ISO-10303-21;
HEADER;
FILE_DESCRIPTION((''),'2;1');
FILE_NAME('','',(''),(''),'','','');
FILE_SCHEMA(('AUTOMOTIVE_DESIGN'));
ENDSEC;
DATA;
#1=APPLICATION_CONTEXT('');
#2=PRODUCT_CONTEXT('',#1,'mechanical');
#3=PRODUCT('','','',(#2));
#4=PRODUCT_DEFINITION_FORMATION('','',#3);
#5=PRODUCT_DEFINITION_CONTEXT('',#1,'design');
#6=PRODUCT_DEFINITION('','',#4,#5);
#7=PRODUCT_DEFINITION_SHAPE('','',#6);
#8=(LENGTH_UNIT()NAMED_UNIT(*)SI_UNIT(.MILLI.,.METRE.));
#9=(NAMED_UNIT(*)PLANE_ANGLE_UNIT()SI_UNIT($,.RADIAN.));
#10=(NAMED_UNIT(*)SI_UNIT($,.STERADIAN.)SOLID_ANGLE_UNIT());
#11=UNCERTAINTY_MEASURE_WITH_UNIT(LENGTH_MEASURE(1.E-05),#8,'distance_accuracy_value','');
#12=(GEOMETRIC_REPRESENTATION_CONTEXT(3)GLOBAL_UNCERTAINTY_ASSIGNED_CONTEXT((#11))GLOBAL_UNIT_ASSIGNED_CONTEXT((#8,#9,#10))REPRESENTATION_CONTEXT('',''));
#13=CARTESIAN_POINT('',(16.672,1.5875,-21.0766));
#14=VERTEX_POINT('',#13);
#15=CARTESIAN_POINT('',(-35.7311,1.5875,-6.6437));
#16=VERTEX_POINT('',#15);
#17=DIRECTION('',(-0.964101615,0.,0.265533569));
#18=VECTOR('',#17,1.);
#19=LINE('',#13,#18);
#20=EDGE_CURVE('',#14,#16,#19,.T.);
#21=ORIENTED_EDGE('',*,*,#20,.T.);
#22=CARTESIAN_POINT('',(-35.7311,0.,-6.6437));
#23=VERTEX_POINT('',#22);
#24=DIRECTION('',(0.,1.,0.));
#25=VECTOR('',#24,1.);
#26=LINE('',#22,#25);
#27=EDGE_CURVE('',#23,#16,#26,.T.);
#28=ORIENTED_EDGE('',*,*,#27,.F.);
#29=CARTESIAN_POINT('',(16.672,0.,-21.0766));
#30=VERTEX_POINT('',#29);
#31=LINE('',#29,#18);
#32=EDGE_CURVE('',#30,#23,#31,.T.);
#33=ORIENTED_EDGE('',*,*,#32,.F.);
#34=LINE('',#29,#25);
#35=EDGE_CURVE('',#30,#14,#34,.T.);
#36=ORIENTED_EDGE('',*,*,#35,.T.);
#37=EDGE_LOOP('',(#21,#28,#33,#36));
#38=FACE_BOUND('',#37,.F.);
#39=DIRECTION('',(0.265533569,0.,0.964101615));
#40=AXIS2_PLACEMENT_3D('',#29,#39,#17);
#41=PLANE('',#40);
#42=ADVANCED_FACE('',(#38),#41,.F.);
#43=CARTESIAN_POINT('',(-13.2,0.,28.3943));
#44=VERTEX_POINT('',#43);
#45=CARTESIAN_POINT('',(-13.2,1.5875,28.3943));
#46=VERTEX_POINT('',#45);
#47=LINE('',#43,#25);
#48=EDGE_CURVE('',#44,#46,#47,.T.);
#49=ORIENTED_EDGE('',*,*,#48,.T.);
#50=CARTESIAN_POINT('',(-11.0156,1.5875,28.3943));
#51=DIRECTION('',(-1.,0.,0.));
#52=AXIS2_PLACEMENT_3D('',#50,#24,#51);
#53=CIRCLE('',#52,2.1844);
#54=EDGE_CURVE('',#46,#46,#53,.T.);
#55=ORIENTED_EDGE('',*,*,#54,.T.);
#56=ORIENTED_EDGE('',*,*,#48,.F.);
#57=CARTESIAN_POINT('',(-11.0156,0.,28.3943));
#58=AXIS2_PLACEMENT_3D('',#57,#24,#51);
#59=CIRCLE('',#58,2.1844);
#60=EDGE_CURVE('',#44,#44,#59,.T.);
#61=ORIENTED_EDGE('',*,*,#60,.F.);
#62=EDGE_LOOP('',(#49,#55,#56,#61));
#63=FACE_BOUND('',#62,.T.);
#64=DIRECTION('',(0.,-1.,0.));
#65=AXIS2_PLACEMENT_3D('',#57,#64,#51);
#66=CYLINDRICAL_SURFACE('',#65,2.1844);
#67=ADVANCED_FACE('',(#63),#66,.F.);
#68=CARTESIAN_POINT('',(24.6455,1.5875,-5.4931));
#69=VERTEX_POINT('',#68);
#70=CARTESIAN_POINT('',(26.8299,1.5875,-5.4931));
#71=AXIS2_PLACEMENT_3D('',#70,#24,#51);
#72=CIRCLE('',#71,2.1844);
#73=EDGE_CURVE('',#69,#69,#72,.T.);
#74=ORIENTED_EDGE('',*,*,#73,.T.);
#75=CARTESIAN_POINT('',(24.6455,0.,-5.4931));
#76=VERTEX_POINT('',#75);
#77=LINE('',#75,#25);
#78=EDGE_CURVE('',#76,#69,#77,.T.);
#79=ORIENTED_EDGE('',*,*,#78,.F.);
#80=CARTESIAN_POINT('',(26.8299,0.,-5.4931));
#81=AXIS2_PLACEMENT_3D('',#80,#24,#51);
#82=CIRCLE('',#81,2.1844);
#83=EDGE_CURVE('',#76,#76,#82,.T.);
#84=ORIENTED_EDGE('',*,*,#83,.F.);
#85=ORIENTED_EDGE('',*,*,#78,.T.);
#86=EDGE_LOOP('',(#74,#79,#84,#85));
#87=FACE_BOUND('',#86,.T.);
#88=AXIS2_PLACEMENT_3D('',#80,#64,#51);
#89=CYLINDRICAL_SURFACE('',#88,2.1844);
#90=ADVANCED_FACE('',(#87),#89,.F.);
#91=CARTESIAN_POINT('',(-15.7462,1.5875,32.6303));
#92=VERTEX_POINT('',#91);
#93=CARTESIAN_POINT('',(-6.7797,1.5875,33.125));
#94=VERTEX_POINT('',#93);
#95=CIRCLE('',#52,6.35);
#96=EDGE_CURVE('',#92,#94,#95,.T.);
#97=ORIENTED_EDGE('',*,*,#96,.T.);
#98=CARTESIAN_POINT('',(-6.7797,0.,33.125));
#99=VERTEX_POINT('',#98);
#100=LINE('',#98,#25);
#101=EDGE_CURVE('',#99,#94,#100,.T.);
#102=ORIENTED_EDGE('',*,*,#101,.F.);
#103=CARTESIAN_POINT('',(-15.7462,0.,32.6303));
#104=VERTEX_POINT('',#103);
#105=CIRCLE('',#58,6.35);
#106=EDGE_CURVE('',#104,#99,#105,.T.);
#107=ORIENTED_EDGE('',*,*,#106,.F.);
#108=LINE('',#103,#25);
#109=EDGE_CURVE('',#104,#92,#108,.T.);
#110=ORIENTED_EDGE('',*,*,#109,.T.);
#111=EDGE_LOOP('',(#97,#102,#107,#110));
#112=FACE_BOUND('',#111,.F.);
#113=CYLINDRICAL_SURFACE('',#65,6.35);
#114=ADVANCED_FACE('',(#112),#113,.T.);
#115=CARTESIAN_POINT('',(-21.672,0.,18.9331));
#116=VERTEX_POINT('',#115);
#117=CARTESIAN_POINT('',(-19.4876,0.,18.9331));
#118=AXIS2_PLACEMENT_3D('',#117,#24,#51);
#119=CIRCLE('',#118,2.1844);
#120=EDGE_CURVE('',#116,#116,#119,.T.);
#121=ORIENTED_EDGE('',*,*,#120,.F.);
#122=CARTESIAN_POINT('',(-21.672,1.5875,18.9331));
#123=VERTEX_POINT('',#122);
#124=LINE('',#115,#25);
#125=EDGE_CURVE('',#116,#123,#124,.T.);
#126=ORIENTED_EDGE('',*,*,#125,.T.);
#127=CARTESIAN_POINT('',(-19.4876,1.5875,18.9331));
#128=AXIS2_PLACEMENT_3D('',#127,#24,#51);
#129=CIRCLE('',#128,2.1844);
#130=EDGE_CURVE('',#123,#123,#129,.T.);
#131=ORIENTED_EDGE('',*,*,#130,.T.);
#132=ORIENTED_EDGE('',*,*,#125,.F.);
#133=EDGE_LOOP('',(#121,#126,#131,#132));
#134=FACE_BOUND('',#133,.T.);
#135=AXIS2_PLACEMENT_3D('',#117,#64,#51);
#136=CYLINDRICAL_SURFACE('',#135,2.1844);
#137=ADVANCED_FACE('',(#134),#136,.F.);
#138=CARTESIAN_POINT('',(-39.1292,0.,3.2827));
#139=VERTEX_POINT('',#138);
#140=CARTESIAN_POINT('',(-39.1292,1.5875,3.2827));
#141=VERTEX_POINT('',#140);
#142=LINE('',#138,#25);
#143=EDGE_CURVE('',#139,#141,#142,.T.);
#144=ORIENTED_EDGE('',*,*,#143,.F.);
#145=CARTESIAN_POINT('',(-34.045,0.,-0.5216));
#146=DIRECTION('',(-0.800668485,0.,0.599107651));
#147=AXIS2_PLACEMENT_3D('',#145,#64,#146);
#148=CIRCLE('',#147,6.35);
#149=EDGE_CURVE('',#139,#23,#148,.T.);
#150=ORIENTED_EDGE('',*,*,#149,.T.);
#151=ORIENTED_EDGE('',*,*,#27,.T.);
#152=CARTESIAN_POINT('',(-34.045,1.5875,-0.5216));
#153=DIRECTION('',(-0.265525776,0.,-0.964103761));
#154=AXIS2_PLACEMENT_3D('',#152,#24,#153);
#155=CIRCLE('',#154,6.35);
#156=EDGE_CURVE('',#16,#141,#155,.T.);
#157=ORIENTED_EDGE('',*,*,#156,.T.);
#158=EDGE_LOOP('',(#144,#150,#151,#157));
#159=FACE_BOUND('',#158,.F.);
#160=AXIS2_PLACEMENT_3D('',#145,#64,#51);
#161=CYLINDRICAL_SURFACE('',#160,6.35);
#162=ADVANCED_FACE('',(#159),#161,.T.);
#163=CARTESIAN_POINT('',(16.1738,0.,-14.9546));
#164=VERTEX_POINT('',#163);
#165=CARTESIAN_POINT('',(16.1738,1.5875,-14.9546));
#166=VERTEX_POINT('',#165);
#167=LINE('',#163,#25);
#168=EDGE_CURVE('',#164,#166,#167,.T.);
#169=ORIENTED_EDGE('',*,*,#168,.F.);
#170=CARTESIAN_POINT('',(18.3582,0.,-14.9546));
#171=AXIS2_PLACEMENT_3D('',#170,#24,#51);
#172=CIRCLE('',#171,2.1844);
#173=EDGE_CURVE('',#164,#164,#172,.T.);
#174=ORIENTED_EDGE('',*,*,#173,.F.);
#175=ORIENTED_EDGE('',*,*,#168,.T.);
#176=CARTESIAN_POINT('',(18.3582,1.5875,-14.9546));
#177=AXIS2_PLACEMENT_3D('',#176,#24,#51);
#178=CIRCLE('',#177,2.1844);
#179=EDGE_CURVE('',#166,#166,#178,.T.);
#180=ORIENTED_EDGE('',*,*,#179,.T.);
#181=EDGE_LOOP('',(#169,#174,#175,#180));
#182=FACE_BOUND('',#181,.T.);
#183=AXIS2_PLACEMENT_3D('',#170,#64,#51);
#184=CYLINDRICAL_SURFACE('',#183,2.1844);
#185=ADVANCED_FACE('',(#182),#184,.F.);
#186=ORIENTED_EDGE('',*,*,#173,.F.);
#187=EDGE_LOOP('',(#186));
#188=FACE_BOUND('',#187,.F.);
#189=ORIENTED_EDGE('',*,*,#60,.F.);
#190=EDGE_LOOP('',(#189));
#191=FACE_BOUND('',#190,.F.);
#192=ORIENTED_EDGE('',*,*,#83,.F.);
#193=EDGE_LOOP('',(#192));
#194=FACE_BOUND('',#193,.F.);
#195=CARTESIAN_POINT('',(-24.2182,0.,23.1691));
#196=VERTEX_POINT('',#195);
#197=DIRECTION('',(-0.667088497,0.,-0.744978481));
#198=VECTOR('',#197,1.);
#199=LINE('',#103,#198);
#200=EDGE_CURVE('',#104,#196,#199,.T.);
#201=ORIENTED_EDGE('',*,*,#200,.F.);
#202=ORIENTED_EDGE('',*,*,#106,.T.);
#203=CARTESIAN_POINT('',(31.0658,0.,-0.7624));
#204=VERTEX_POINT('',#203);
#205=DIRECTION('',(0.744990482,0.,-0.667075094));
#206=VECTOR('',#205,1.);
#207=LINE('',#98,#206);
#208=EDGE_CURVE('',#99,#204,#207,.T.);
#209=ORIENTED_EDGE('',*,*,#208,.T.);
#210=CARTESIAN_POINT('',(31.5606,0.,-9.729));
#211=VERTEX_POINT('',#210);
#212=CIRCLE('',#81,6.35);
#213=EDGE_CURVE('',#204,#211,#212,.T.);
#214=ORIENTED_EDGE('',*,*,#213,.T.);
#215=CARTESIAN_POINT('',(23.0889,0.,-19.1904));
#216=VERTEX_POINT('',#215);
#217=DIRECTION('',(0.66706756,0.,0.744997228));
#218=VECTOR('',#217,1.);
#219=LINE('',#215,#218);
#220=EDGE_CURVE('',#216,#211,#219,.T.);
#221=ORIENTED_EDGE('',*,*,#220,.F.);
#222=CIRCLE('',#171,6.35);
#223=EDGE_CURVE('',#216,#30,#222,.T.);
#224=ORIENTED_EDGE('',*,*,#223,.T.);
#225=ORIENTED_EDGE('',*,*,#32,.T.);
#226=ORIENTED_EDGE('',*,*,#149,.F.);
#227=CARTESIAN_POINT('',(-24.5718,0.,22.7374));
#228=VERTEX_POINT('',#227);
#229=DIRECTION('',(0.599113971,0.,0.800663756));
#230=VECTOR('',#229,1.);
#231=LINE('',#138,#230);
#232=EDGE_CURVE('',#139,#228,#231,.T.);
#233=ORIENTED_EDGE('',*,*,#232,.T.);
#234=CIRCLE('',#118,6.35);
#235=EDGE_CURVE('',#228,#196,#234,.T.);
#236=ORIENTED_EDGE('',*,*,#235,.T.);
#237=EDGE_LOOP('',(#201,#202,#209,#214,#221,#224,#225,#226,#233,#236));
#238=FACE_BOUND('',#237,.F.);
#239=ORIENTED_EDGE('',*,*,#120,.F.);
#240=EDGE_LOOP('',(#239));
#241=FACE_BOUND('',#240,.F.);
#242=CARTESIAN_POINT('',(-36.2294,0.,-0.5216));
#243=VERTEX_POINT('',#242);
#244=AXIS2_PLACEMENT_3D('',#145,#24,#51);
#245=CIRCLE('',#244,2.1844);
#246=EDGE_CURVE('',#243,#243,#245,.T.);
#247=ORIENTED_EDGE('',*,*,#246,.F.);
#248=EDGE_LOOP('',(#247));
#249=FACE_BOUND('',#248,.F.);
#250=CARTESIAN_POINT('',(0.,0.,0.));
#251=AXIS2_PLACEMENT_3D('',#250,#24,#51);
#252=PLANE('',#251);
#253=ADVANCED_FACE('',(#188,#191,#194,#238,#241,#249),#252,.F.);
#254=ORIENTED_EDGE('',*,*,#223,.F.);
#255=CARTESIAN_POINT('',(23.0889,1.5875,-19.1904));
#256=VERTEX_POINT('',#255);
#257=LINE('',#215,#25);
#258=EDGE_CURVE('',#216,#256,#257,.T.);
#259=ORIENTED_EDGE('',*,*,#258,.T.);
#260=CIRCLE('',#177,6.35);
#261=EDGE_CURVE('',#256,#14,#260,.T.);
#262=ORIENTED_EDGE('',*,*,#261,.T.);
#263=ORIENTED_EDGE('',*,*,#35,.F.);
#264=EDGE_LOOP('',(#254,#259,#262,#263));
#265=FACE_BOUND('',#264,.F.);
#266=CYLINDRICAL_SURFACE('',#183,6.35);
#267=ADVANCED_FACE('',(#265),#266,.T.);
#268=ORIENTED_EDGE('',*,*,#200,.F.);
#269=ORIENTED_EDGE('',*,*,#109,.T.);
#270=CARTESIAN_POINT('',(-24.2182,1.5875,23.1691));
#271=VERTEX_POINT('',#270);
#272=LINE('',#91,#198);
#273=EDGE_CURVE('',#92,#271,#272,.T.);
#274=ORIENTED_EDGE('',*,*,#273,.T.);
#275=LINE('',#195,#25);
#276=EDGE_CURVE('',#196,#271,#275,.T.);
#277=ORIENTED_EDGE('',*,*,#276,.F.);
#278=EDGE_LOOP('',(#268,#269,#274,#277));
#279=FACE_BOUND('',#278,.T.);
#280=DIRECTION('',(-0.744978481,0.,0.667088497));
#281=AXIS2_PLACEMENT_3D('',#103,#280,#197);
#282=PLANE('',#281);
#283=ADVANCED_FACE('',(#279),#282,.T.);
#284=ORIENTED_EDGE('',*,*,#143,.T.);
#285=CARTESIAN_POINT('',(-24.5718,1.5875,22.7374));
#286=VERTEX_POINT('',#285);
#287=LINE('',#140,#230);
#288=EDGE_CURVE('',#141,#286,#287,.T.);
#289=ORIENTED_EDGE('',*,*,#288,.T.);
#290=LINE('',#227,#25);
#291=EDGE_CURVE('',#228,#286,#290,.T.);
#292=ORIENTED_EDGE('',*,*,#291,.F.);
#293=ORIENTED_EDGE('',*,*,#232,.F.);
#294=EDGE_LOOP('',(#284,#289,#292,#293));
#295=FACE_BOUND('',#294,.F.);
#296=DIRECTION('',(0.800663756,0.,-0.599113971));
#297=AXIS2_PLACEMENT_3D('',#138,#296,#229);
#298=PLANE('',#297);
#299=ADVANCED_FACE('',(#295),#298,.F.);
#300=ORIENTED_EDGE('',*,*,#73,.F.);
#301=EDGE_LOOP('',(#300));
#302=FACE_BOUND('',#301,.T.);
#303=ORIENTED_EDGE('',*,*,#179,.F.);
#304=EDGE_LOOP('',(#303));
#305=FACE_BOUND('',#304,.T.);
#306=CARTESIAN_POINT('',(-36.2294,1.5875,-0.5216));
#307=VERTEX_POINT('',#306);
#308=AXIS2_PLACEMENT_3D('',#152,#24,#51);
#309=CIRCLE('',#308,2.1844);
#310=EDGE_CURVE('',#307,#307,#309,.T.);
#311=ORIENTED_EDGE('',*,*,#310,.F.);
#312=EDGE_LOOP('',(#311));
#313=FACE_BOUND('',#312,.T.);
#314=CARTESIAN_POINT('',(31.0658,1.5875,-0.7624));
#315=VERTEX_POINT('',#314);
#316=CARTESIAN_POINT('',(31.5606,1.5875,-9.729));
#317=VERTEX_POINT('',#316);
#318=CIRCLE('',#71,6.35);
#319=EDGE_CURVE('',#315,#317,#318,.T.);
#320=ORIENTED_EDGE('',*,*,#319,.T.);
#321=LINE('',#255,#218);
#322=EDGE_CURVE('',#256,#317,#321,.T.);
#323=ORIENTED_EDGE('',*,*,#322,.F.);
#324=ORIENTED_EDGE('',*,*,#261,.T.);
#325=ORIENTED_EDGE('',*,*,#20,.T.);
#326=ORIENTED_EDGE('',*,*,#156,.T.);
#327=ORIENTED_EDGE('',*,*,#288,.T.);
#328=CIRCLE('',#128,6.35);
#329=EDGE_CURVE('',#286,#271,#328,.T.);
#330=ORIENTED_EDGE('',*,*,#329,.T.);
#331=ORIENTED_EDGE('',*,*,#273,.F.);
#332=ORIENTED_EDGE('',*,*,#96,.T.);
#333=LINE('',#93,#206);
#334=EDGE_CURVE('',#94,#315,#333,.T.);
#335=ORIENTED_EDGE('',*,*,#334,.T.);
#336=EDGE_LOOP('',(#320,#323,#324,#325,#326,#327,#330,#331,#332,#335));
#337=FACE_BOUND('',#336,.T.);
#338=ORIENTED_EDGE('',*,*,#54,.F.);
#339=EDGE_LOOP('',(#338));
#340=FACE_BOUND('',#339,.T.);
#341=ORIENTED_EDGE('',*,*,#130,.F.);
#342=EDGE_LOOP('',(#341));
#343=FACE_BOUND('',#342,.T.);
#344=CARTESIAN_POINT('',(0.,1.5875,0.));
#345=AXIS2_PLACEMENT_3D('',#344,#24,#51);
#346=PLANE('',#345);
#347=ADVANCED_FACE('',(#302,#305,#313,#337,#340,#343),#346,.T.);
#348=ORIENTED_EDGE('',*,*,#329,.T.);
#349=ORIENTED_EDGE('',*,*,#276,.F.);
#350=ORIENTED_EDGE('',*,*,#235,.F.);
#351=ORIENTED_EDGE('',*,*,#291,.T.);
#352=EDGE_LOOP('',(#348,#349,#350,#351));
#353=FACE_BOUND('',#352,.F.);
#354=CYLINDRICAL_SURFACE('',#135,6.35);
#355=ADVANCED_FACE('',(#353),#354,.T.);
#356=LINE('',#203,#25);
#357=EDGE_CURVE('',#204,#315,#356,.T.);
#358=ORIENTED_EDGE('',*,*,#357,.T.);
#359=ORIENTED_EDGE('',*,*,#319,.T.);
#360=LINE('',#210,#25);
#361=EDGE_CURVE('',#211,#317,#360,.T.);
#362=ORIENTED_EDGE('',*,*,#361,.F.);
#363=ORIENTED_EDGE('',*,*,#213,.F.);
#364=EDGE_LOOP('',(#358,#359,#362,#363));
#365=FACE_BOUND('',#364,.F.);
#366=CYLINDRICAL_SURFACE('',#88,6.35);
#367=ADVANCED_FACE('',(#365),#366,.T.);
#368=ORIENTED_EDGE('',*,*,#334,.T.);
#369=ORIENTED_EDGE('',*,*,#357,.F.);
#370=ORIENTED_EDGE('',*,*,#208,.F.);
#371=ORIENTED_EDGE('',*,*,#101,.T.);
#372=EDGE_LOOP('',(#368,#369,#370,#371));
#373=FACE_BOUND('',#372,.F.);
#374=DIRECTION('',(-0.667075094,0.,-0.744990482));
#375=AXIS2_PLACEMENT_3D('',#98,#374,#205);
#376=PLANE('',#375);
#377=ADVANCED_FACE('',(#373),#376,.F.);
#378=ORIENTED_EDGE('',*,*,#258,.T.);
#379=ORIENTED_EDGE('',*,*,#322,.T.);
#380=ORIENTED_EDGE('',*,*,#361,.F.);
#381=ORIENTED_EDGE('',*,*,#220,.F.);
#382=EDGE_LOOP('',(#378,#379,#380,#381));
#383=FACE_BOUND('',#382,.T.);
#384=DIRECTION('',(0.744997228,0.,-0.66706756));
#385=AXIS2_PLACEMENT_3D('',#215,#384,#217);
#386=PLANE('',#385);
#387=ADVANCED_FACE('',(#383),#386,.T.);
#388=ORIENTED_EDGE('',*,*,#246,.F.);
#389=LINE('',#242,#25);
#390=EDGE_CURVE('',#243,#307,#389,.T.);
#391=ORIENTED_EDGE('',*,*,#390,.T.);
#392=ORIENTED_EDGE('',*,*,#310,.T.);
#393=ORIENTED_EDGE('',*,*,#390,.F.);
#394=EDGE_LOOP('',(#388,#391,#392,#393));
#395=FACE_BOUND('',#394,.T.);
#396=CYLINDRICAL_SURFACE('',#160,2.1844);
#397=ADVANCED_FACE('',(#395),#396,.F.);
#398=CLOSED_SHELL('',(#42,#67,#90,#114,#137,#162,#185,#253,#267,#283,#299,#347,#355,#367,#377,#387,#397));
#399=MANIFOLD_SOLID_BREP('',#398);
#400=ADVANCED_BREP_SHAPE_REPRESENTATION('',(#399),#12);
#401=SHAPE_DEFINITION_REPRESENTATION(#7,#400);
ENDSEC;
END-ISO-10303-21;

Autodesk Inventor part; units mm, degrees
ref_plane "YZ Plane" through (0, 0, 0) normal (1, 0, 0) x (0, 1, 0)
ref_plane "XZ Plane" through (0, 0, 0) normal (0, 1, 0) x (-1, 0, 0)
ref_plane "XY Plane" through (0, 0, 0) normal (0, 0, 1) x (1, 0, 0)
sketch "Sketch1" plane through (0, 0, 0) normal (0, 1, 0) x (-1, 0, 0)
  circle A0 centre (-18.3582, -14.9546) radius 2.1844
  circle A1 centre (-26.8299, -5.4931) radius 2.1844
  circle A2 centre (34.045, -0.5216) radius 2.1844
  circle A3 centre (19.4876, 18.9331) radius 2.1844
  circle A4 centre (11.0156, 28.3943) radius 2.1844
  circle A5 centre (-18.3582, -14.9546) radius 6.35
  circle A6 centre (19.4876, 18.9331) radius 6.35
  circle A7 centre (34.045, -0.5216) radius 6.35
  circle A8 centre (11.0156, 28.3943) radius 6.35
  circle A9 centre (-26.8299, -5.4931) radius 6.35
  line L0 (6.7797, 33.125) -> (-31.0658, -0.7624)
  line L1 (15.7462, 32.6303) -> (24.2182, 23.1691)
  line L2 (-23.0889, -19.1904) -> (-31.5606, -9.729)
  line L3 (-16.672, -21.0766) -> (35.7311, -6.6437)
  line L4 (39.1292, 3.2827) -> (24.5718, 22.7374)
  point P0 (0, 0)
  dimension "d0" = 4.3688
  dimension "d1" = 4.3688
  dimension "d2" = 4.3688
  dimension "d3" = 12.7
  dimension "d4" = 12.7
  dimension "d5" = 12.7
extrude "Extrusion1" add sketch "Sketch1" along normal blind 1.5875
properties part number "stackBrace"
